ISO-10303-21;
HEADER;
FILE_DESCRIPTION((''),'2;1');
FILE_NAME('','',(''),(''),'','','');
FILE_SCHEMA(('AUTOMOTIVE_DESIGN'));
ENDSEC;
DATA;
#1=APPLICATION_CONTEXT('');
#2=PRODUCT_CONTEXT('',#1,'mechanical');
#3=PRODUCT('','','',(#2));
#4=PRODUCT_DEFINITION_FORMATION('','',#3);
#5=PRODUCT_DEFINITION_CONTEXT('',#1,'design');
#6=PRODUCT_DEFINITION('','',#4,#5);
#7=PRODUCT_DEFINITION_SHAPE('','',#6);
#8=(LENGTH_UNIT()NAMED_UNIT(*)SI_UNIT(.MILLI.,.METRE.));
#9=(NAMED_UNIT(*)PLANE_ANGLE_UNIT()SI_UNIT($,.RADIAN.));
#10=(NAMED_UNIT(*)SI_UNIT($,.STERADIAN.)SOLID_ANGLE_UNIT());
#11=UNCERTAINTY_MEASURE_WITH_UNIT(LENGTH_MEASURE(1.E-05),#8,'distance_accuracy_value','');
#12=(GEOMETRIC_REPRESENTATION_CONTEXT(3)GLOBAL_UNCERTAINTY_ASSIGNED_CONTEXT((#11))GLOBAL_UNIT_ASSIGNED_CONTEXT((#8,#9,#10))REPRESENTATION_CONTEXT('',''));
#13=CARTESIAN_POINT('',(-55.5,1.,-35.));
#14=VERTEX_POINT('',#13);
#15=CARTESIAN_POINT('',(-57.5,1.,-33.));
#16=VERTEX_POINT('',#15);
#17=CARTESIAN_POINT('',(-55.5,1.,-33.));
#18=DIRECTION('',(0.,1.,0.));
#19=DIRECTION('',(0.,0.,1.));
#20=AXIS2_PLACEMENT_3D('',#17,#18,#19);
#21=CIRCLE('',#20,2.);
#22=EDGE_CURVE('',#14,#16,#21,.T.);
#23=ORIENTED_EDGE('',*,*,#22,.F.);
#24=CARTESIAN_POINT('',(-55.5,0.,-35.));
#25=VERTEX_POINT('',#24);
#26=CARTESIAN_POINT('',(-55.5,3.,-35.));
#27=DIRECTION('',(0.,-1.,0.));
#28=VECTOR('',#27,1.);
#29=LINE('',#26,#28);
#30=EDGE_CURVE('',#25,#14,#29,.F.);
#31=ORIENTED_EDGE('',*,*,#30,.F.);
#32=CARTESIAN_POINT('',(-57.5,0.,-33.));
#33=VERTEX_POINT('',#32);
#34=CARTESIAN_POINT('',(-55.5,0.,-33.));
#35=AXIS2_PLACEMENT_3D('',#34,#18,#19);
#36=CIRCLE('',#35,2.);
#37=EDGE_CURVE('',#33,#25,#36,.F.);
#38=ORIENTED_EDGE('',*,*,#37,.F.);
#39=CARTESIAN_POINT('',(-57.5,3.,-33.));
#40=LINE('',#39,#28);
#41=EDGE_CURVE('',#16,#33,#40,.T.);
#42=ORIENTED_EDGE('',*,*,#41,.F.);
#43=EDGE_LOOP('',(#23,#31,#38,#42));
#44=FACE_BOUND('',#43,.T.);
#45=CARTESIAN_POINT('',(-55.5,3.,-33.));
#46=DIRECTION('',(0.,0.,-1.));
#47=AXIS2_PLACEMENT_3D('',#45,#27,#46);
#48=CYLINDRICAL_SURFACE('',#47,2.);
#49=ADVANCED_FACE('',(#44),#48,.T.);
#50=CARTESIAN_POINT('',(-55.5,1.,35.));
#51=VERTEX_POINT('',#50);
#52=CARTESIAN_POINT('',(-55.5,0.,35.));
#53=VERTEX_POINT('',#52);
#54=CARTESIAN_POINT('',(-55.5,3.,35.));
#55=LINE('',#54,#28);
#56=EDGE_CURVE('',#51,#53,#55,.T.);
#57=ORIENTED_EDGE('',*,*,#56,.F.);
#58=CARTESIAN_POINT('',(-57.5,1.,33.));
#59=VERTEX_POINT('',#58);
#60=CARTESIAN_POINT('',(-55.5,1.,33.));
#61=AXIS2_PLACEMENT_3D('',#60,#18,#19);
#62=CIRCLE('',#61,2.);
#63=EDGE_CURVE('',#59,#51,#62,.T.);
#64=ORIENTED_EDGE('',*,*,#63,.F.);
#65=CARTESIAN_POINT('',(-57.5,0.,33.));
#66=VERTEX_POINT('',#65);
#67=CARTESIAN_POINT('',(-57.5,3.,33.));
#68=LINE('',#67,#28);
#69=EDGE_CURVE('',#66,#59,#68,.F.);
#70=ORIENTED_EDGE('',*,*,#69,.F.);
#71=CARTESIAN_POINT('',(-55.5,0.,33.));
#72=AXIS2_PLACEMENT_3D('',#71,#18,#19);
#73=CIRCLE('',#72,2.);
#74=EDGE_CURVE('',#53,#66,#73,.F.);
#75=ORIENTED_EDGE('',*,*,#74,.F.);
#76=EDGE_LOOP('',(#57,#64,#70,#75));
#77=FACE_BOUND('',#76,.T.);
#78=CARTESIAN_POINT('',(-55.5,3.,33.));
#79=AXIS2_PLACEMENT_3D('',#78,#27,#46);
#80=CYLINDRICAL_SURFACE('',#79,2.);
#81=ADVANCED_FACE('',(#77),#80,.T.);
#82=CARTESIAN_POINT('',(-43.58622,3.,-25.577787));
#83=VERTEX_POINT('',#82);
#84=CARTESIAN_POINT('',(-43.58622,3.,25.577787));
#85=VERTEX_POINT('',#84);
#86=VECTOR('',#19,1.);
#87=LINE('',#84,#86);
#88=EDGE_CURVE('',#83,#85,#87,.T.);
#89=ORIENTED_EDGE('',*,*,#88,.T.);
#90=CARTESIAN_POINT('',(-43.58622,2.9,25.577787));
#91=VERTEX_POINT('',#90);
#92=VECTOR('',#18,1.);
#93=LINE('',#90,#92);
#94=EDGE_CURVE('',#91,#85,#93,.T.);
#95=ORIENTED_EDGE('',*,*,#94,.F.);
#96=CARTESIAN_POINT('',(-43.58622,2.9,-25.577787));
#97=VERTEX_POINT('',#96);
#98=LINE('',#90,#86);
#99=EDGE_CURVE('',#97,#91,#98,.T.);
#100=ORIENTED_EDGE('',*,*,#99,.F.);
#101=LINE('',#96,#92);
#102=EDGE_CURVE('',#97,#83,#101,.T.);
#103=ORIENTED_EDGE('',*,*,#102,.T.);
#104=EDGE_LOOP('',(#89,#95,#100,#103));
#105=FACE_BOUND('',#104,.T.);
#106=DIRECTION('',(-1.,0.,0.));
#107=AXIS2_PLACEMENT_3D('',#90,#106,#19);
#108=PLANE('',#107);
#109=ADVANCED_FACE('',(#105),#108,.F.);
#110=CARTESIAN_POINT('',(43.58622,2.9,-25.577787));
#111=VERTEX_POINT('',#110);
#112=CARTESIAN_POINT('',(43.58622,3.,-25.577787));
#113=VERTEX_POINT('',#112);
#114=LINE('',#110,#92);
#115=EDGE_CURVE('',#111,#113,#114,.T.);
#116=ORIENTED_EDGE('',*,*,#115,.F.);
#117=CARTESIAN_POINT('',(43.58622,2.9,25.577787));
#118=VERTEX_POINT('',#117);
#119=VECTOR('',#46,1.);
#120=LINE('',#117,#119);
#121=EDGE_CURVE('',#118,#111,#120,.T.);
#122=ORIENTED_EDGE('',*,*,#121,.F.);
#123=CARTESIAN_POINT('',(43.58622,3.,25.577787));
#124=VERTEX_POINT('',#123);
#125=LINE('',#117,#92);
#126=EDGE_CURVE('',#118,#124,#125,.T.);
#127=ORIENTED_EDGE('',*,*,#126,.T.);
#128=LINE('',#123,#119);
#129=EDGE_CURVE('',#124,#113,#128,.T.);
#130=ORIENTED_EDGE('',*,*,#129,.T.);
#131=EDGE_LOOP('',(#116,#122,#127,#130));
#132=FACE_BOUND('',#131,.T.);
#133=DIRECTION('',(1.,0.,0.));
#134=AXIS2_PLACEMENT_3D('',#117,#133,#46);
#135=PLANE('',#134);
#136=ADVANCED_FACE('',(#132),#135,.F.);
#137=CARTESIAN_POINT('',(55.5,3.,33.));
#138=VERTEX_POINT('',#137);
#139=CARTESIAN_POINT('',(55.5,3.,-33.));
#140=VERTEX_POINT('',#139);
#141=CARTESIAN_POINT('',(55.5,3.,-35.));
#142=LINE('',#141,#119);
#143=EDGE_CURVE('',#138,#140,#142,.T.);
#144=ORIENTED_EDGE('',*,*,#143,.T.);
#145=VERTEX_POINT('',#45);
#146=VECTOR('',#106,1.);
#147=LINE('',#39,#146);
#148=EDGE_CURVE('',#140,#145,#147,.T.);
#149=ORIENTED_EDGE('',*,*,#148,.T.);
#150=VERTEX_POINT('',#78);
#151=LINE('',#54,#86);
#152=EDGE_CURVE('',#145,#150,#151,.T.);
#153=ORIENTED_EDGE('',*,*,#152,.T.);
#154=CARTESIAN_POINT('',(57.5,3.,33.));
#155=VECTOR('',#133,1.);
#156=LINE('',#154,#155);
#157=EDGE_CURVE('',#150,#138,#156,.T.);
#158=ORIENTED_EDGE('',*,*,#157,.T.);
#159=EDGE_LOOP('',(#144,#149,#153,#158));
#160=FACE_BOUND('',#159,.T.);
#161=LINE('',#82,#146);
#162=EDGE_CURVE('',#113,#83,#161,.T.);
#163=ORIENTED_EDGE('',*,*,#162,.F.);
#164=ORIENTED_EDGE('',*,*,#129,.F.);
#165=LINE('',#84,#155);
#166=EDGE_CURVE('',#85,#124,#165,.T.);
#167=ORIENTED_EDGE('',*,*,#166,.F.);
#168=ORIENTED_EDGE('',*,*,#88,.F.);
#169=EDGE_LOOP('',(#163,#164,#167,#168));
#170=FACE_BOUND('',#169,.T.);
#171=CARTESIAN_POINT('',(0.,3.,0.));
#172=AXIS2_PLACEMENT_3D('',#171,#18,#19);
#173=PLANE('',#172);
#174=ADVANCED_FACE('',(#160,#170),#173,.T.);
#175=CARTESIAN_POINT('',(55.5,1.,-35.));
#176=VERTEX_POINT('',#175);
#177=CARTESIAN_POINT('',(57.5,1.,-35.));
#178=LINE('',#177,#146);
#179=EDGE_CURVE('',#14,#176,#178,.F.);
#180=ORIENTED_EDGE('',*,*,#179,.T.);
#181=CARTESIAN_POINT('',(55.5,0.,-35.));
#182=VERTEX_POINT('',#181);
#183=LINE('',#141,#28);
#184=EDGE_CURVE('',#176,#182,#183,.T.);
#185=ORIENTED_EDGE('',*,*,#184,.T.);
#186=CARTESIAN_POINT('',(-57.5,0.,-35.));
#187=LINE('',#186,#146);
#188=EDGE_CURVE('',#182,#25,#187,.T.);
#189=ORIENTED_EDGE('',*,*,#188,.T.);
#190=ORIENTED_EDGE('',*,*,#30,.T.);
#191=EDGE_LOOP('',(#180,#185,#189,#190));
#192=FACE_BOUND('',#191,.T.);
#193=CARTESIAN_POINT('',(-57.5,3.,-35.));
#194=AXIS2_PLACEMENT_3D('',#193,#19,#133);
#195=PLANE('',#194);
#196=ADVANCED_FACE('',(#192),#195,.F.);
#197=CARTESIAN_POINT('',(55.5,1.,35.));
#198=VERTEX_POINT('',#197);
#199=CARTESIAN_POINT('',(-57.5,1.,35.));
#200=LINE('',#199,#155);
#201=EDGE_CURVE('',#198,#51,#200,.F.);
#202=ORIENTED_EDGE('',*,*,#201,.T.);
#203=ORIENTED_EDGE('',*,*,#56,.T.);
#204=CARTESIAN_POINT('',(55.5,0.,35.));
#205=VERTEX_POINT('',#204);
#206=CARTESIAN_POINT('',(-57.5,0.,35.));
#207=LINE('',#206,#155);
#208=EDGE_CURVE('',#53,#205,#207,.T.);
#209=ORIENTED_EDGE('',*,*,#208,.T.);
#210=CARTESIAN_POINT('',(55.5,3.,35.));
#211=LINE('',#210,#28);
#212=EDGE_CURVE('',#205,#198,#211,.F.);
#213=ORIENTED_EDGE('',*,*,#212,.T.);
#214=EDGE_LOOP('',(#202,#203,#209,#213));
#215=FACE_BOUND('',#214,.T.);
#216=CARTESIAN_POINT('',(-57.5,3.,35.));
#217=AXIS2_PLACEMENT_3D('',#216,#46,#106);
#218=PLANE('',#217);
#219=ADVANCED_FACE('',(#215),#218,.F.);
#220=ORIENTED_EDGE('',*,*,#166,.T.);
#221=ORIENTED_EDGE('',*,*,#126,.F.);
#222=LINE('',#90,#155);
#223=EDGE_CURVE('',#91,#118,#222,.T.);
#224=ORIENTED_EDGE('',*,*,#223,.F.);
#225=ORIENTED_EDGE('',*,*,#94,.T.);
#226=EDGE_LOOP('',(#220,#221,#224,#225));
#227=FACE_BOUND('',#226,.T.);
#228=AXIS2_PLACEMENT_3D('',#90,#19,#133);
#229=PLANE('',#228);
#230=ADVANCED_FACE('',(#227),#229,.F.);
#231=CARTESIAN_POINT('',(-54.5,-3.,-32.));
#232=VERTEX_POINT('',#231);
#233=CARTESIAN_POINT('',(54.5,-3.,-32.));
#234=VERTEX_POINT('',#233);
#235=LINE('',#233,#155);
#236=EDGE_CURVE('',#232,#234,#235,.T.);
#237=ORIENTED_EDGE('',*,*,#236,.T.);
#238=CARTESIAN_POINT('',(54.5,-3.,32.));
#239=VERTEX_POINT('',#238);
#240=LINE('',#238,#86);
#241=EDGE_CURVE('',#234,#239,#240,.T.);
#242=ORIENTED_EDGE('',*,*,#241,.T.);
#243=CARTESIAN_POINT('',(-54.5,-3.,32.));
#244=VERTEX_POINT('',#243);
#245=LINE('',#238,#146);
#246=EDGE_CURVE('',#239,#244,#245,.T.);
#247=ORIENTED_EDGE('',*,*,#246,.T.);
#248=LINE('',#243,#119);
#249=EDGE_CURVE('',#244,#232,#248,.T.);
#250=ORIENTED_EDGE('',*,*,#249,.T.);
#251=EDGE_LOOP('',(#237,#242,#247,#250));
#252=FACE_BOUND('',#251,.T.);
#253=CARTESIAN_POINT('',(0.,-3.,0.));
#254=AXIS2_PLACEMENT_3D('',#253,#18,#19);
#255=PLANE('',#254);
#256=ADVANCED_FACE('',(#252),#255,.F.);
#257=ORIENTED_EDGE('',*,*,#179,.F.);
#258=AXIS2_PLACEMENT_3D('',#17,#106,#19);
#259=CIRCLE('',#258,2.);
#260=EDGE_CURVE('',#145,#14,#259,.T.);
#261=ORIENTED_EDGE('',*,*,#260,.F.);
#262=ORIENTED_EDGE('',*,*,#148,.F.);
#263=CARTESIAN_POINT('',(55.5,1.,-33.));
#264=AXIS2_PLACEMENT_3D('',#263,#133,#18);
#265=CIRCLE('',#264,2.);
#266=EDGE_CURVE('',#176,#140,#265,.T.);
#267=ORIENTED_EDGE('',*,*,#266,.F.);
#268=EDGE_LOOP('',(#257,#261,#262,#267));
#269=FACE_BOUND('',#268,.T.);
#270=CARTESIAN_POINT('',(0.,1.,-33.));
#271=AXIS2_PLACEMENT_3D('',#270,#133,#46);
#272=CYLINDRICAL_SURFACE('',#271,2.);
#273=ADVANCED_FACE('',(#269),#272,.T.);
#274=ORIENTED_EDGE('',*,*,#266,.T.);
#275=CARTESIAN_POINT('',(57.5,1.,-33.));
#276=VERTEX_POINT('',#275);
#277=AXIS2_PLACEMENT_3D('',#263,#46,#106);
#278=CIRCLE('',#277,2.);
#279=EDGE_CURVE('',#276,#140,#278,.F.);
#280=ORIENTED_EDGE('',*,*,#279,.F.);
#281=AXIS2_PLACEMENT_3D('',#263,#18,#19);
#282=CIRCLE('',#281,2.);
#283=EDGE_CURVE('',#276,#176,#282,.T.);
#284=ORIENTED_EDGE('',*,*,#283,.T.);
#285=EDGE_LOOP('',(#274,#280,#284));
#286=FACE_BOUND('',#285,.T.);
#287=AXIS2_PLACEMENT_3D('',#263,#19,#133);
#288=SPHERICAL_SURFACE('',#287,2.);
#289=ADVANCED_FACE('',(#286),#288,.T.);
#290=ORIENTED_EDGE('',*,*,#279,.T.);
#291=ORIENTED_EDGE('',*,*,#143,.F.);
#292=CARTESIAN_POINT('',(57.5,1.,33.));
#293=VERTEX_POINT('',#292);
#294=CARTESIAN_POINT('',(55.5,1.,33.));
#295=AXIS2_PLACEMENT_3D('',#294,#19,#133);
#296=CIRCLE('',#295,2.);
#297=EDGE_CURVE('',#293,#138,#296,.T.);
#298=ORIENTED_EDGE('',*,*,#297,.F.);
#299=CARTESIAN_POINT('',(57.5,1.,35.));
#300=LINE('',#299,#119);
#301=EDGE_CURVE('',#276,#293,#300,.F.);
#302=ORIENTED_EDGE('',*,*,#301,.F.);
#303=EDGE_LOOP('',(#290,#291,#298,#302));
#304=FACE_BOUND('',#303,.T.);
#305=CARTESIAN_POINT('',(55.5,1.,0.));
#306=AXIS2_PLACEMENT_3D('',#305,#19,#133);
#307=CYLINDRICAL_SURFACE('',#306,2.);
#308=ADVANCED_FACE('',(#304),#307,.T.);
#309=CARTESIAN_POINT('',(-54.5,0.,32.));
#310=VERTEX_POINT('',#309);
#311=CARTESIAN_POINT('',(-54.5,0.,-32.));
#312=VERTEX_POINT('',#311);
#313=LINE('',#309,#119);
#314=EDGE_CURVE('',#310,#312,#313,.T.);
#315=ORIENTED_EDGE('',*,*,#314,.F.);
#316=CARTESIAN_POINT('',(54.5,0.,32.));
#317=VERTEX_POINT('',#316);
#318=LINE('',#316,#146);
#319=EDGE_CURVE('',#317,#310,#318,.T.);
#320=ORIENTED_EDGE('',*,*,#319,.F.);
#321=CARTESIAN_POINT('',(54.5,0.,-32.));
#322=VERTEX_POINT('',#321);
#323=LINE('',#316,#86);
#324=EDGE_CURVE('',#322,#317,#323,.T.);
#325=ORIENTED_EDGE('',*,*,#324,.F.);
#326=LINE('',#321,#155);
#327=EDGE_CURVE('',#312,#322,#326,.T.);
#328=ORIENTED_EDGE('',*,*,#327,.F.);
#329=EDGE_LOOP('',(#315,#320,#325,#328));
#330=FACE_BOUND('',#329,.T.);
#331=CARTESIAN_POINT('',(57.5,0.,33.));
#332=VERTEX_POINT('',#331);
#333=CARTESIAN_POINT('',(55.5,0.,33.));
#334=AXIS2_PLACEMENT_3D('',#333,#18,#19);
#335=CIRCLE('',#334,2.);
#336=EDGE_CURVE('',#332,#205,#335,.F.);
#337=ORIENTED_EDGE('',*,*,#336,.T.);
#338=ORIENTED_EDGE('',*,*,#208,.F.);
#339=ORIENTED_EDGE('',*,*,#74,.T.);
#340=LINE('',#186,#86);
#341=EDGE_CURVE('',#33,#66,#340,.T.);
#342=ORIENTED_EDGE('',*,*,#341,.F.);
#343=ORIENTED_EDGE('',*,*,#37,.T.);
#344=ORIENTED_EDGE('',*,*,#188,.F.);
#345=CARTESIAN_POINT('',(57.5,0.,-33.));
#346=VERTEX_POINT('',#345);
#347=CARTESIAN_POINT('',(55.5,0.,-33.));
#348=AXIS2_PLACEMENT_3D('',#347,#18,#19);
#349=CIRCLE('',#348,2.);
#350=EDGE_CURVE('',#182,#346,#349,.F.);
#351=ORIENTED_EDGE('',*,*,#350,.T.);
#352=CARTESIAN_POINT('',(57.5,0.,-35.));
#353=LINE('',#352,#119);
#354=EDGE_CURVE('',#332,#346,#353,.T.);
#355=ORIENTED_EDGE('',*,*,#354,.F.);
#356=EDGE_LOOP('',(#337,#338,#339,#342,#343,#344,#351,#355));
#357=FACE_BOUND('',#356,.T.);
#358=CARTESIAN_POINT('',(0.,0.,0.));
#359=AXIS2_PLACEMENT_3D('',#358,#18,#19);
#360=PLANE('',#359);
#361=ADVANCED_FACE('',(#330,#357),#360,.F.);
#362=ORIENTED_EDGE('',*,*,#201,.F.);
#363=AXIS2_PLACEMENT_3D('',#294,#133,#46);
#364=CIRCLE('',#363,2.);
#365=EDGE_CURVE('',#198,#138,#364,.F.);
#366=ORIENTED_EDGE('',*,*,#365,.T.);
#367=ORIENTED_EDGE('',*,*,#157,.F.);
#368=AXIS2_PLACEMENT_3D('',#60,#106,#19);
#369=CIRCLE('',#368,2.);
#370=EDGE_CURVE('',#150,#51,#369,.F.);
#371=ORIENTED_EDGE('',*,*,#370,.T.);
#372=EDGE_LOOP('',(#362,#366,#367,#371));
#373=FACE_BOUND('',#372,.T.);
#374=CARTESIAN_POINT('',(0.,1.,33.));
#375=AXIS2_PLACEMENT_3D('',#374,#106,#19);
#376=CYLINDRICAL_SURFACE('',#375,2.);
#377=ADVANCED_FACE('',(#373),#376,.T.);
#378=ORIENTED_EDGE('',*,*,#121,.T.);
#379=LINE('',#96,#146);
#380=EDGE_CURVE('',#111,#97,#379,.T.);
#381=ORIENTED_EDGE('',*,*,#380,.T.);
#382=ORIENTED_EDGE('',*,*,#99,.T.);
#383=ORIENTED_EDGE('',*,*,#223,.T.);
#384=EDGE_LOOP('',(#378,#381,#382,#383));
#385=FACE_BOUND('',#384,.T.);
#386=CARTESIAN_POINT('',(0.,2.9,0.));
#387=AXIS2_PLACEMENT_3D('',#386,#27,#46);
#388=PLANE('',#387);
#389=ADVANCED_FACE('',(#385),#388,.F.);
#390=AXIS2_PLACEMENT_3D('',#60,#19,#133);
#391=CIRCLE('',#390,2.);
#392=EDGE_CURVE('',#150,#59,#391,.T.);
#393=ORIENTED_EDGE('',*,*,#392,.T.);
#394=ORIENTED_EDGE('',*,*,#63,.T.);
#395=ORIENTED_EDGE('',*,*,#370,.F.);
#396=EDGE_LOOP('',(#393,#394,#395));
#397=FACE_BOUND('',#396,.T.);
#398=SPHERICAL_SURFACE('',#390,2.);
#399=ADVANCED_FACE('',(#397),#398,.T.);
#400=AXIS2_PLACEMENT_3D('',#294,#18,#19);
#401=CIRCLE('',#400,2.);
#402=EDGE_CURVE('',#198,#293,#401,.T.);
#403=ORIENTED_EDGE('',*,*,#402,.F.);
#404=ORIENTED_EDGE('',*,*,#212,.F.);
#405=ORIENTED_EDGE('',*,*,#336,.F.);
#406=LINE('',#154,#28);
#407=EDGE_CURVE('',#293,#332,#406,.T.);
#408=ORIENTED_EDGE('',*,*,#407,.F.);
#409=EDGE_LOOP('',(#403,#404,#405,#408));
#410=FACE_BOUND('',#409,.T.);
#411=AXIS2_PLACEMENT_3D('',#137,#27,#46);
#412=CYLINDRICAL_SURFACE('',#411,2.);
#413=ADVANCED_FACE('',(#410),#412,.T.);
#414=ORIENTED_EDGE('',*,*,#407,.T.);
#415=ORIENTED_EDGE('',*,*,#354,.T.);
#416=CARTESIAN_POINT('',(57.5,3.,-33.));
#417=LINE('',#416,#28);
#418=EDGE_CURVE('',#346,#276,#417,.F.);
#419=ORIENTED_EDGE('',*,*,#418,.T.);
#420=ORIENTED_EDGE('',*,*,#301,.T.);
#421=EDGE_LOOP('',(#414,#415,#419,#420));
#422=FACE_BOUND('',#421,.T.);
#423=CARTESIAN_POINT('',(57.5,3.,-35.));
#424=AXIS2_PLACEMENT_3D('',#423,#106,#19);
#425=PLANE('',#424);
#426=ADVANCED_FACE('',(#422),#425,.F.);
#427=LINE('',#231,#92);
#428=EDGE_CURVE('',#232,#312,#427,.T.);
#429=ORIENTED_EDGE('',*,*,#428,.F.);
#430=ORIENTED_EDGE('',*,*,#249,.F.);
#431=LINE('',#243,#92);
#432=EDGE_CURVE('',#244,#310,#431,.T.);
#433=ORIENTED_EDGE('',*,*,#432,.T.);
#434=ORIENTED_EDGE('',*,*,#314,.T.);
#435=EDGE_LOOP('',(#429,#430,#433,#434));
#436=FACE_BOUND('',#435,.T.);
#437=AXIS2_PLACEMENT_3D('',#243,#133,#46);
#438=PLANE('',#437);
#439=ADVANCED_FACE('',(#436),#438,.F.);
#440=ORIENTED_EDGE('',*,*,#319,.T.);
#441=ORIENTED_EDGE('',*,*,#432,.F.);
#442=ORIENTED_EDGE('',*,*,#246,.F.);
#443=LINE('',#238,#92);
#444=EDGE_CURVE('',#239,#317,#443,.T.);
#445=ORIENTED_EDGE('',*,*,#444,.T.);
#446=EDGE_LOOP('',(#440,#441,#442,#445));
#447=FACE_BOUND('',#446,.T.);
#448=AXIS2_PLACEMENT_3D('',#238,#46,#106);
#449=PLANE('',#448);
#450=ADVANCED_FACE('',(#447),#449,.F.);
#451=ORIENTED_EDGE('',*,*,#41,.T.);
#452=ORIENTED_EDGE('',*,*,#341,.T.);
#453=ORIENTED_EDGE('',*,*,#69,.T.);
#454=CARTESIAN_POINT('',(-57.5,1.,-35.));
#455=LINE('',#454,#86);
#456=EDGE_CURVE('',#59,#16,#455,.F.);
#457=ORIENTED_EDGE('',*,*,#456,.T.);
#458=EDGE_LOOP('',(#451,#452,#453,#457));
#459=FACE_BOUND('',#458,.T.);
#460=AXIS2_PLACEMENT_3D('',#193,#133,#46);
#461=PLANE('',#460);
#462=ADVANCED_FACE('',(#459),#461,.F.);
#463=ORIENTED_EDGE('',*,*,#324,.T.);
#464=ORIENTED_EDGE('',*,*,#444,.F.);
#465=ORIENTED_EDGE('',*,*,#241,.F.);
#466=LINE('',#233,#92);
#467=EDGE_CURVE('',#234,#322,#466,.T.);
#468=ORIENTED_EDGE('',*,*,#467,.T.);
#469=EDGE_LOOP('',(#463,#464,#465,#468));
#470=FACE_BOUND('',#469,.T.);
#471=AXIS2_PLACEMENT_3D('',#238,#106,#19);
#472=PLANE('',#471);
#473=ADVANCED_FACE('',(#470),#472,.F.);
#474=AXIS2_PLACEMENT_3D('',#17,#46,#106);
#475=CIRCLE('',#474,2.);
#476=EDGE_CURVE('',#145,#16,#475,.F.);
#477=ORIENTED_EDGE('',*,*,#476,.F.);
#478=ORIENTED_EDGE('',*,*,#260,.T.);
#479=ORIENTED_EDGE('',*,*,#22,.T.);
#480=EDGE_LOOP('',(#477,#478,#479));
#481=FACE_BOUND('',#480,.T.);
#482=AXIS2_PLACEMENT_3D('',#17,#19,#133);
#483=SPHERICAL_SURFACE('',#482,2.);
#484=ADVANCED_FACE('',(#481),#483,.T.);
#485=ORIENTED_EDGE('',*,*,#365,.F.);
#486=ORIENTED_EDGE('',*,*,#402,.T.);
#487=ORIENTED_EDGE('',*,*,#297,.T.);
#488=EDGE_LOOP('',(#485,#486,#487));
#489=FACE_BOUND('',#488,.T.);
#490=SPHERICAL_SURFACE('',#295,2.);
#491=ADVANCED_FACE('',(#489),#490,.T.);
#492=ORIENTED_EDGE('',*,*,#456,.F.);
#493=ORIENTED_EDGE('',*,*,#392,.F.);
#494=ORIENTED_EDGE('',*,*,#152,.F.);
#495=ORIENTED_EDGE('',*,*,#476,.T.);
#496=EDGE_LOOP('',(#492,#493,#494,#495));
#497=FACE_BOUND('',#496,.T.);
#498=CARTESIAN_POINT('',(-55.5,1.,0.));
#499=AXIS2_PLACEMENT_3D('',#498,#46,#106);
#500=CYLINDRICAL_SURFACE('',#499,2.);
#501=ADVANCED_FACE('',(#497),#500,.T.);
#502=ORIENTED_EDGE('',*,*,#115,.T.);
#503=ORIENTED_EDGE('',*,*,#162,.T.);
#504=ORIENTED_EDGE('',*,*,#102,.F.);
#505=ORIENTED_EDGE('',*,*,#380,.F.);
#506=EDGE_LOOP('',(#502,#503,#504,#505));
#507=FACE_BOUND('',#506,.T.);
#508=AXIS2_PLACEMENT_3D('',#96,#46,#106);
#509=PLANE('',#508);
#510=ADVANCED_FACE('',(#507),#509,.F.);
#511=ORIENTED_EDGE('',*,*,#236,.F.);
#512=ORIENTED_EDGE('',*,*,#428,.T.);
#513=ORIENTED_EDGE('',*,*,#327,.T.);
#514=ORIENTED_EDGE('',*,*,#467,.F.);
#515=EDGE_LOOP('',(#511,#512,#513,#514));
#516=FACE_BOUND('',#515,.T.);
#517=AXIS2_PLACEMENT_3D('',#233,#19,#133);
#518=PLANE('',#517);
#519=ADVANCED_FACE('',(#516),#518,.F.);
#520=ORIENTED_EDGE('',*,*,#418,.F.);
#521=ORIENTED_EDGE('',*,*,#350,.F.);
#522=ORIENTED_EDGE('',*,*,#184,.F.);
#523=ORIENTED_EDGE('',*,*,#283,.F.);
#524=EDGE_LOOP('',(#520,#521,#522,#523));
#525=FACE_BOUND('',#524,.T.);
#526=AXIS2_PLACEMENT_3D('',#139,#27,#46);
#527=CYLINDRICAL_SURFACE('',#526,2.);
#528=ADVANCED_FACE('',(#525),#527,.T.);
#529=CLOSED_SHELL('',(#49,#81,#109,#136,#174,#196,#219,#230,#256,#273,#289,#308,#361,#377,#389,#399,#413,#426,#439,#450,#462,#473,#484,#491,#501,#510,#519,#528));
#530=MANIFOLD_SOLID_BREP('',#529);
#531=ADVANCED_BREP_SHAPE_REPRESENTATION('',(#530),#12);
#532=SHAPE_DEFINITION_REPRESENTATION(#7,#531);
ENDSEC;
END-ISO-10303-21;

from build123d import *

# Parameters (mm, degrees)
SKETCH1_W           = 115
SKETCH1_H           = 70
BOSS_EXTRUDE1_DEPTH = 3
SKETCH2_W           = 109
SKETCH2_H           = 64
BOSS_EXTRUDE2_DEPTH = 3
FILLET1_R           = 2
SKETCH4_W           = 87.172440104
SKETCH4_H           = 51.155574538
CUT_EXTRUDE1_DEPTH  = 0.1


with BuildPart() as part:
    # Sketch1 → Boss-Extrude1 (new body)
    with BuildSketch(Plane(origin=(0, 0, 0), x_dir=(1, 0, 0), z_dir=(0, 1, 0))):
        Rectangle(SKETCH1_W, SKETCH1_H)
    extrude(amount=BOSS_EXTRUDE1_DEPTH)

    # Sketch2 → Boss-Extrude2 (add)
    with BuildSketch(Plane.XZ):
        Rectangle(SKETCH2_W, SKETCH2_H)
    extrude(amount=BOSS_EXTRUDE2_DEPTH)

    # Fillet1
    fillet1_edges = [part.edges().sort_by_distance(p)[0] for p in [
        (-57.5, 3, 0),
        (0, 3, 35),
        (57.5, 3, 0),
        (0, 3, -35),
        (57.5, 1.5, 35),
        (-57.5, 1.5, 35),
        (-57.5, 1.5, -35),
        (57.5, 1.5, -35),
    ]]
    fillet(fillet1_edges, radius=FILLET1_R)

    # Sketch4 → Cut-Extrude1 (cut)
    with BuildSketch(Plane(origin=(0, 3, 0), x_dir=(1, 0, 0), z_dir=(0, 1, 0))):
        Rectangle(SKETCH4_W, SKETCH4_H)
    extrude(amount=-CUT_EXTRUDE1_DEPTH, mode=Mode.SUBTRACT)


solid = part.part
